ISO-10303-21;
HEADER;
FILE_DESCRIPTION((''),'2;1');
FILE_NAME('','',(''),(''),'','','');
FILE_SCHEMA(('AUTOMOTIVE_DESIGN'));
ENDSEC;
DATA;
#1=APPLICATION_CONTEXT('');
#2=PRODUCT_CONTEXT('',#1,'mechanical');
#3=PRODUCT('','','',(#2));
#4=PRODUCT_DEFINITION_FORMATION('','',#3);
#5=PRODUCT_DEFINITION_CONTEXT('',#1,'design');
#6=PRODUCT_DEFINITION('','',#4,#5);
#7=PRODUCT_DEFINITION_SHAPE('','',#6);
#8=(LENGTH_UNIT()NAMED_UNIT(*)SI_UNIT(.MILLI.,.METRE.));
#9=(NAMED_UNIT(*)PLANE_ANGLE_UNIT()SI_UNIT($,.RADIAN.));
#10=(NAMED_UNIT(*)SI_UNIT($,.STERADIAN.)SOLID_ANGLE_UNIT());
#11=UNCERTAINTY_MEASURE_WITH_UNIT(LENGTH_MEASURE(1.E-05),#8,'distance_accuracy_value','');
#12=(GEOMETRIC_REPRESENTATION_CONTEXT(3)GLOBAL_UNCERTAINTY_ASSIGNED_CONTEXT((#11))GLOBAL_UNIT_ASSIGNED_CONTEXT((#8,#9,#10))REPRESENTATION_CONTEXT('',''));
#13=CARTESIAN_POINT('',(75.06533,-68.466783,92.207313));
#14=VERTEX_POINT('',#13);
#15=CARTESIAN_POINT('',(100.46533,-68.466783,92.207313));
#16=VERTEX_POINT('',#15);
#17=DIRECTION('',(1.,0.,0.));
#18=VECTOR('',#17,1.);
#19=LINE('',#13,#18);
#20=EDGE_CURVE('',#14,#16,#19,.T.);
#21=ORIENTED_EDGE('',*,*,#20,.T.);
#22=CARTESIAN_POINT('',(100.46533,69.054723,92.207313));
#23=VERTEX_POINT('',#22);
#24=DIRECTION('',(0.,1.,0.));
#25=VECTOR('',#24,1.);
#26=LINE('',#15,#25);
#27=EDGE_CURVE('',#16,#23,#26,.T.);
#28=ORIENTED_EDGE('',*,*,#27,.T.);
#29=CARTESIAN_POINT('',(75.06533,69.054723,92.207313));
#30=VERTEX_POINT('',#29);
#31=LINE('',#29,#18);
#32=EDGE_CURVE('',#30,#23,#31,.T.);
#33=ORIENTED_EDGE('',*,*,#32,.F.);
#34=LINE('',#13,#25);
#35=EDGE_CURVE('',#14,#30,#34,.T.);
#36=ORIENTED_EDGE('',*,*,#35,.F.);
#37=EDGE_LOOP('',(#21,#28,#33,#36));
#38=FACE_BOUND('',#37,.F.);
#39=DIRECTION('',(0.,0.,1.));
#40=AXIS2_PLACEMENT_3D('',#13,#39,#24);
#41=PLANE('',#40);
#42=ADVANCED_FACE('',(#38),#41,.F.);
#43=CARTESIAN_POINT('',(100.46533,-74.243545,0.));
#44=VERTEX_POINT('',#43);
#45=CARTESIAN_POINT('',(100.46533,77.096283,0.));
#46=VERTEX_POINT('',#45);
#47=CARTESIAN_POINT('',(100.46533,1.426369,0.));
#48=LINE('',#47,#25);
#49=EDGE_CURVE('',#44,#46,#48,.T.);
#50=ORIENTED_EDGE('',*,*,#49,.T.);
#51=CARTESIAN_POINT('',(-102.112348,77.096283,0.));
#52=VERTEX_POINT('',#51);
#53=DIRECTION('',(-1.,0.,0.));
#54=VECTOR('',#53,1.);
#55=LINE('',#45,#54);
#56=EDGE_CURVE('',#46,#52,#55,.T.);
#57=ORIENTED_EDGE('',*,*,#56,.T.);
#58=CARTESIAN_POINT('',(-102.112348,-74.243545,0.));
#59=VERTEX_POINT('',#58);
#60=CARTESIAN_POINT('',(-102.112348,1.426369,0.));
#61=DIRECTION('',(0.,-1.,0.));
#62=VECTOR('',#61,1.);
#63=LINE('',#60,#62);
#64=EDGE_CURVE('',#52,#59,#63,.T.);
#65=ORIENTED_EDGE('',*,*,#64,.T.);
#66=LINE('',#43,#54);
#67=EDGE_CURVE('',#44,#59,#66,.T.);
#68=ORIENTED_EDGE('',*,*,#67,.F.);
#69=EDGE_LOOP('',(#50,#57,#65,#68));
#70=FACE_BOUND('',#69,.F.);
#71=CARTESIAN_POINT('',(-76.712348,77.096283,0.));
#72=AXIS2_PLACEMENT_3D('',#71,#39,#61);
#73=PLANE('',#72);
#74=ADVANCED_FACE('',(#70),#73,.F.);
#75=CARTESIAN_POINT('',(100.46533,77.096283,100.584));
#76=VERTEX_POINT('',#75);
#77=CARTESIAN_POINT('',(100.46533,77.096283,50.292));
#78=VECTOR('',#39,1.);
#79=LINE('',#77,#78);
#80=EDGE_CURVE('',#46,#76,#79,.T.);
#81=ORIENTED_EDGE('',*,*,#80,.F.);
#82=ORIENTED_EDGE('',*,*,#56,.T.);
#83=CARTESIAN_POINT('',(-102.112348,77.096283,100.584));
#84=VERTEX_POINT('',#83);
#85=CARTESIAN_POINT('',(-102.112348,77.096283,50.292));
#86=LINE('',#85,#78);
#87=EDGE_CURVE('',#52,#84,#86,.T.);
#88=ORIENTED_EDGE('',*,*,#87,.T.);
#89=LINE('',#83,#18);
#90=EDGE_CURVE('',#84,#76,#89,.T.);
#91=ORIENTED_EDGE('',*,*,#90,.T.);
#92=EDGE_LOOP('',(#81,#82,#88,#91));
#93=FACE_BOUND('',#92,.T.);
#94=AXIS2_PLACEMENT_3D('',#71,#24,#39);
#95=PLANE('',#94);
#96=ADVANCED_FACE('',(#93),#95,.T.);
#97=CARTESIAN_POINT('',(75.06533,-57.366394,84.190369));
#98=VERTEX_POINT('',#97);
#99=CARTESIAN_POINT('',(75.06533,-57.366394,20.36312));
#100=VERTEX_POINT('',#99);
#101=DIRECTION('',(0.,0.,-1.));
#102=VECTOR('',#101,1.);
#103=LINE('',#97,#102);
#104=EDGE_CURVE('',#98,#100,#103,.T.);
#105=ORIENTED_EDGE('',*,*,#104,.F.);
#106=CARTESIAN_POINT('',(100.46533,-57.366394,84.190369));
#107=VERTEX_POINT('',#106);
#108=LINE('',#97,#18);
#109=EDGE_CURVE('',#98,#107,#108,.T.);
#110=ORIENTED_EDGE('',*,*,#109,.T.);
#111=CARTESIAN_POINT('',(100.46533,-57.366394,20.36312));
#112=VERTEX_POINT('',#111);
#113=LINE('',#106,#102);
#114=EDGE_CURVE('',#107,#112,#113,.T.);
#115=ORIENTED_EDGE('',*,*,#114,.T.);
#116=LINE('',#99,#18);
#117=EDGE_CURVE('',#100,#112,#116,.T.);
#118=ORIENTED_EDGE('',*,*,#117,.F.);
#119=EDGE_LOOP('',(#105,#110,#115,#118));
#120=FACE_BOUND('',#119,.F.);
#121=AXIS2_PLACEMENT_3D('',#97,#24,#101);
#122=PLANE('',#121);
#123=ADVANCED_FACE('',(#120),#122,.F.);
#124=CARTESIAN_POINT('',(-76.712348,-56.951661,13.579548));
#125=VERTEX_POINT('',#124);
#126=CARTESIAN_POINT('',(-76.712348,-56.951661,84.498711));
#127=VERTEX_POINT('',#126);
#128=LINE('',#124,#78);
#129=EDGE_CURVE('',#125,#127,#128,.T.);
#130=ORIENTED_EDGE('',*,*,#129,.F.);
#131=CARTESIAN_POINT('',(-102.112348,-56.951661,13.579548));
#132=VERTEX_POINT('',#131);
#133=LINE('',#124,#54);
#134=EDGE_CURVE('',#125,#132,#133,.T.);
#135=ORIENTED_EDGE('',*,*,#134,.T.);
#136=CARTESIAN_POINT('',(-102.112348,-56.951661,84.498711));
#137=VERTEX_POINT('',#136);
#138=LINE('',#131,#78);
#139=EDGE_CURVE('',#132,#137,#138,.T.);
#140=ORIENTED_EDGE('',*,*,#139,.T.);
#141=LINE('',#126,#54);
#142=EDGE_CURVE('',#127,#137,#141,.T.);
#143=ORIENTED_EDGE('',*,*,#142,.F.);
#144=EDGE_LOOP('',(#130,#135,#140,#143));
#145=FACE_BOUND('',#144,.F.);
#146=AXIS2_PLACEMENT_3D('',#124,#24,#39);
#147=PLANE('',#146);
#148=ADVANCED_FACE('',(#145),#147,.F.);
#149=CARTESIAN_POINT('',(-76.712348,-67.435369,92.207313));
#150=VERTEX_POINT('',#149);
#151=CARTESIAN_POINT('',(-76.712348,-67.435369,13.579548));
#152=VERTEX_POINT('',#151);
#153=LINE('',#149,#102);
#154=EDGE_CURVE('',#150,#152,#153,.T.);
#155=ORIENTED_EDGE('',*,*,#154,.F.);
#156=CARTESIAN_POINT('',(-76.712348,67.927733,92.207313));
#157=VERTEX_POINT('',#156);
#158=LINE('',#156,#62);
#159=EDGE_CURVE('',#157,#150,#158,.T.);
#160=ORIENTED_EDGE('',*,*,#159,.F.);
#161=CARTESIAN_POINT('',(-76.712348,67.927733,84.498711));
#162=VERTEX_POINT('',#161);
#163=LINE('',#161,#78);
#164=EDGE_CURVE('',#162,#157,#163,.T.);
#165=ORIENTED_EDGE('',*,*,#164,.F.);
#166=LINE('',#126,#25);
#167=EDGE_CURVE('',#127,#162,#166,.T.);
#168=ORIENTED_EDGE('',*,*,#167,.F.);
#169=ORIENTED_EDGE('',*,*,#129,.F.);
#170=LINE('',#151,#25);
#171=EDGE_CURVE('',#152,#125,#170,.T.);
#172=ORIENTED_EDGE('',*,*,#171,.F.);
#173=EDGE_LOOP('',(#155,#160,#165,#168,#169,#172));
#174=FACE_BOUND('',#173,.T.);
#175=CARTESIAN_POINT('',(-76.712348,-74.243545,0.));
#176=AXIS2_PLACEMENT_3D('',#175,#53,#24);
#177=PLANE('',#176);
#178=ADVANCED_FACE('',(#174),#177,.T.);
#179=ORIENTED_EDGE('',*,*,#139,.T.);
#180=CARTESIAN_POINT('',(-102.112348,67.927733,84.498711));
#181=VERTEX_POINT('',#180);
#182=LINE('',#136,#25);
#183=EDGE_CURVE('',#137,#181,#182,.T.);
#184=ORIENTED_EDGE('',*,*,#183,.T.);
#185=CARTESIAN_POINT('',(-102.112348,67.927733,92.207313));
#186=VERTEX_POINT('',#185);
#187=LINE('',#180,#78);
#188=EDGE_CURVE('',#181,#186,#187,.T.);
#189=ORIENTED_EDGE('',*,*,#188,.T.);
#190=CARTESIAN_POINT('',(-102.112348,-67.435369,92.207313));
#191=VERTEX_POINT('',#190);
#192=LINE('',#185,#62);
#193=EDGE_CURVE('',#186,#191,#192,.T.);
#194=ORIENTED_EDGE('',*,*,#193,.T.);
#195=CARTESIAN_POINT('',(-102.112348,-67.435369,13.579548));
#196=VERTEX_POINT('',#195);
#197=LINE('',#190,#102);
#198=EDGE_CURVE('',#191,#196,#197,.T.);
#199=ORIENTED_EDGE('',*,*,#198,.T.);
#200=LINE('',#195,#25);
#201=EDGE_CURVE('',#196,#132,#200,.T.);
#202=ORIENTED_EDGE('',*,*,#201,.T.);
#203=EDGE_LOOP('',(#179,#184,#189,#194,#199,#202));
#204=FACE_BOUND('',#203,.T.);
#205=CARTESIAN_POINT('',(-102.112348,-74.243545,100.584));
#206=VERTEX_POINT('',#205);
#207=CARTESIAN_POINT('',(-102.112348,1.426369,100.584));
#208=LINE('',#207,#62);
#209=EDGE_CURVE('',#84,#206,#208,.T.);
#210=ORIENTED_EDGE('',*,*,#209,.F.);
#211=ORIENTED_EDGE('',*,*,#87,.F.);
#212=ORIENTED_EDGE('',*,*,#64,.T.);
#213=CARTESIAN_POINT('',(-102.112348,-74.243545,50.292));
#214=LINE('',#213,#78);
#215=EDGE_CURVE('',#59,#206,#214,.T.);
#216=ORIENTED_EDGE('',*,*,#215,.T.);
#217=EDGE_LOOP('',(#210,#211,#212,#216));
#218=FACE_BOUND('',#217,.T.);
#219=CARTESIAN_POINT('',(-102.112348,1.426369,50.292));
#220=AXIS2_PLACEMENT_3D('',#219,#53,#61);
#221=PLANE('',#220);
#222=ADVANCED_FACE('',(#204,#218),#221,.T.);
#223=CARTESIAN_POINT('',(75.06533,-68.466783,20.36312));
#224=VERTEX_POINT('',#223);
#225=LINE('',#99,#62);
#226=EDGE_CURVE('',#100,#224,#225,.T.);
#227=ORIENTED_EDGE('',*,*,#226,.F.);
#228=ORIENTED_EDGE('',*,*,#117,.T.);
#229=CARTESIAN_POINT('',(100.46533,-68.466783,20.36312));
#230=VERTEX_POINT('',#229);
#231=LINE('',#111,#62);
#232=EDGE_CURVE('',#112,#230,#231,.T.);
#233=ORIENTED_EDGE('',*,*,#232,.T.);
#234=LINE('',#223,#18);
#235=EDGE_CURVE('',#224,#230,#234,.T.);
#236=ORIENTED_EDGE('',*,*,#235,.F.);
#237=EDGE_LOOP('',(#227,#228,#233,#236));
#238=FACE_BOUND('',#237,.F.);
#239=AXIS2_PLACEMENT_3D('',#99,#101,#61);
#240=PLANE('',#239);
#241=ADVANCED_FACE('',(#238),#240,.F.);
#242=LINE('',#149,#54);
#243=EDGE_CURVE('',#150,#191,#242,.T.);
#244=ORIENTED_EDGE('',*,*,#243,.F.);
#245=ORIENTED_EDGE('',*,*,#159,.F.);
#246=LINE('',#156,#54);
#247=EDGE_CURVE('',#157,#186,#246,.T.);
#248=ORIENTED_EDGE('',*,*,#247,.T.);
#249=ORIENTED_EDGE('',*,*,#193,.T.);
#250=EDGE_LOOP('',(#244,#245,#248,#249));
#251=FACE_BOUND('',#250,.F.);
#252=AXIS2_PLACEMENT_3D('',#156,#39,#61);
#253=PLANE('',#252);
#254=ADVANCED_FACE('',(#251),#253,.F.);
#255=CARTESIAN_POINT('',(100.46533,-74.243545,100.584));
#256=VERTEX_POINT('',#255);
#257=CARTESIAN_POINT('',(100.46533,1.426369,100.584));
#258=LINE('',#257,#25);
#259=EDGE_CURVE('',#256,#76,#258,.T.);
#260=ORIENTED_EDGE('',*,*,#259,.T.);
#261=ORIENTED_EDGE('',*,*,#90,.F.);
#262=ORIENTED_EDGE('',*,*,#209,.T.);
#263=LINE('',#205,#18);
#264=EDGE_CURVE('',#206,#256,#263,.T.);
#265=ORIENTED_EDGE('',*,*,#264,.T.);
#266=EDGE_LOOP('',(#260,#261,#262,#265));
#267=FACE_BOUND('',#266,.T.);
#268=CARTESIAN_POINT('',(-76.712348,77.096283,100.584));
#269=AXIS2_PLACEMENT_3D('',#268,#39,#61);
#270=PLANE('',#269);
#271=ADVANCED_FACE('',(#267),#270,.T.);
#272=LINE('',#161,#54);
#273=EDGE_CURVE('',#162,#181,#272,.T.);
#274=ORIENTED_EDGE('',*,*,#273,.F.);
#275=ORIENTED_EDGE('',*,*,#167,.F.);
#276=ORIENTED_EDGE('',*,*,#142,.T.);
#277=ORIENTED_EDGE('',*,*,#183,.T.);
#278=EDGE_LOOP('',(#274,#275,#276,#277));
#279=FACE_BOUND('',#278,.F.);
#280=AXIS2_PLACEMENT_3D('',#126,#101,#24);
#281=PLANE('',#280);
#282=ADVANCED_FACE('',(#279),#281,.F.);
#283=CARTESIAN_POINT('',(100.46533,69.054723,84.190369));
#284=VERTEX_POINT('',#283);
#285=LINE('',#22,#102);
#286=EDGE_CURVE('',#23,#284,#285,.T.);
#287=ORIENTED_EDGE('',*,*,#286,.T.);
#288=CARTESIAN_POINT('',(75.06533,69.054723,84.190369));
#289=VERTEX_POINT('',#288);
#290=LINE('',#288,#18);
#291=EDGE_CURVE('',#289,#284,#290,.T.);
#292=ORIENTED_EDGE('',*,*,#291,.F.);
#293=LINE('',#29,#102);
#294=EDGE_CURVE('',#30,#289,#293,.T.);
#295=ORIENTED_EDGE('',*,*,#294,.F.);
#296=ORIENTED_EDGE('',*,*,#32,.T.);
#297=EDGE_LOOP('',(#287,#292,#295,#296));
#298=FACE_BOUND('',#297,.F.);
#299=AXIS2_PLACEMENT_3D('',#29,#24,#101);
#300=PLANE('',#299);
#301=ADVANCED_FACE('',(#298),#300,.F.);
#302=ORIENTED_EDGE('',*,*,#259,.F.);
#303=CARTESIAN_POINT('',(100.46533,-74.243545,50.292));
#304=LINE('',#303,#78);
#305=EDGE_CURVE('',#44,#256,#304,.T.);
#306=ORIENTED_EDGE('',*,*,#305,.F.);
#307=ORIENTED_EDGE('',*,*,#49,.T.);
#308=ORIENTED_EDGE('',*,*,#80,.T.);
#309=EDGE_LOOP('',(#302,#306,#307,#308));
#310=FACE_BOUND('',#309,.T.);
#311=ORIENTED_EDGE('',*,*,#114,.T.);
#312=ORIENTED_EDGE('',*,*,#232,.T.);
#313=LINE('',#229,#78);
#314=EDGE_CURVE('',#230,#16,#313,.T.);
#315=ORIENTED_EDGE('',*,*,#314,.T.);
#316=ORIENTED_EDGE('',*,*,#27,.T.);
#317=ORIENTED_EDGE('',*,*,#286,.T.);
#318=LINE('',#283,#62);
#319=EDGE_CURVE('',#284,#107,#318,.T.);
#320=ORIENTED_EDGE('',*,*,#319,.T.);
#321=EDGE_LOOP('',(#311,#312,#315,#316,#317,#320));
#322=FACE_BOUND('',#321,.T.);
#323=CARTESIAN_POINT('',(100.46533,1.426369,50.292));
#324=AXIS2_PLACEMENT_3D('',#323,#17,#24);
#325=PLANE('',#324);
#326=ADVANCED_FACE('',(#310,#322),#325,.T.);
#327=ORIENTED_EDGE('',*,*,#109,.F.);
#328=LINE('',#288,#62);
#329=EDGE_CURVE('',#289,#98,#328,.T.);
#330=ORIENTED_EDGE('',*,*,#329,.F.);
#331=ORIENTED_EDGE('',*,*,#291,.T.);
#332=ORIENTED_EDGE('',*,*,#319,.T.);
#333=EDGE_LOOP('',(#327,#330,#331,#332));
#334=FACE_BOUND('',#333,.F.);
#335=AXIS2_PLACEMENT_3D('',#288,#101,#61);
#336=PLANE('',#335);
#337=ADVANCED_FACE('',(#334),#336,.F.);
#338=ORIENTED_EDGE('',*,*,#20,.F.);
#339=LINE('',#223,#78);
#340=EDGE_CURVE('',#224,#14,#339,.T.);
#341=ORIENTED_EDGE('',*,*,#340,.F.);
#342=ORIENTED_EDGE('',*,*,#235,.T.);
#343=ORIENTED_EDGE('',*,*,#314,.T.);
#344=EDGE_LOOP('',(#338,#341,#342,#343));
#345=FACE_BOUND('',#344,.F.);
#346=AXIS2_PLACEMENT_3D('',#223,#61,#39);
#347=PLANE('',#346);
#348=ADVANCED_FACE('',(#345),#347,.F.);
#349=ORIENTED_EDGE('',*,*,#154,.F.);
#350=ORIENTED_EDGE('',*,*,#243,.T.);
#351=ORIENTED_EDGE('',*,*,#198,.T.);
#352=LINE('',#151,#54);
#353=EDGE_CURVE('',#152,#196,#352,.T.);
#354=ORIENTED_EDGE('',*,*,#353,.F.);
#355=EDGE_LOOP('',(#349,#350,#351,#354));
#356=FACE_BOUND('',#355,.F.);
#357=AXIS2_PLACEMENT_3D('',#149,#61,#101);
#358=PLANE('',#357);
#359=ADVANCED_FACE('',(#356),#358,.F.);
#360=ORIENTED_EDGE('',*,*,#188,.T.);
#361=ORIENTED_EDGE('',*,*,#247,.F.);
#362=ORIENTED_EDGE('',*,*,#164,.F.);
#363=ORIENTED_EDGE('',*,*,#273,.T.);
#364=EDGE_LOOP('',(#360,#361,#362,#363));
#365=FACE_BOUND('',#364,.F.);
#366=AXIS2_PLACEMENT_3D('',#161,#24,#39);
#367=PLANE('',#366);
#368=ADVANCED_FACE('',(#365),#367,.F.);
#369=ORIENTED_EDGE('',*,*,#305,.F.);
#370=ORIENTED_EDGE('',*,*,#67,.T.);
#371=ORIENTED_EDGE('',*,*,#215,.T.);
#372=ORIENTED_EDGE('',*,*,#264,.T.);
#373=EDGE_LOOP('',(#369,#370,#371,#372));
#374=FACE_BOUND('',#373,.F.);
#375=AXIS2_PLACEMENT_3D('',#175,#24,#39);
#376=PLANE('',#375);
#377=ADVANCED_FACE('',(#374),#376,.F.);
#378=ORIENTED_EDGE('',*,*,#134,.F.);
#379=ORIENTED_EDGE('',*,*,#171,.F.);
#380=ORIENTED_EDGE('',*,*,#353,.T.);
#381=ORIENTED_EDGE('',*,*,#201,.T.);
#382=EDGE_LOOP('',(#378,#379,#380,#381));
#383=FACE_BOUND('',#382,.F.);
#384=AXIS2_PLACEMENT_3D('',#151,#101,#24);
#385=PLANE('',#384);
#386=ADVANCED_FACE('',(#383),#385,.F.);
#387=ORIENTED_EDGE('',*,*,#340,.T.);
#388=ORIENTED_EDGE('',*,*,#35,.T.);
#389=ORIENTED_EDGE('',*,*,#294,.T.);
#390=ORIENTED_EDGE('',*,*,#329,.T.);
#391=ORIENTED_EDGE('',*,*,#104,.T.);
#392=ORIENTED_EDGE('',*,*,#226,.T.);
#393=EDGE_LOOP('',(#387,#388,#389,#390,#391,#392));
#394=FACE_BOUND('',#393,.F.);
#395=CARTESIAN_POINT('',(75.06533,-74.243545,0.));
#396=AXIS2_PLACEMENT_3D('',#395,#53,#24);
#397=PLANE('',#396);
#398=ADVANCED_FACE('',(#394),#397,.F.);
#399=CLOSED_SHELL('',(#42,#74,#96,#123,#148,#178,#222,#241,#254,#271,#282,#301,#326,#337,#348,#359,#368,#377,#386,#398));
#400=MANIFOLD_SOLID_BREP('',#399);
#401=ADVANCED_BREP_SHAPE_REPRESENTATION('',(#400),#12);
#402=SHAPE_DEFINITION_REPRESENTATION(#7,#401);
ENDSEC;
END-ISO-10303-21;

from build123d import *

# Parameters (mm, degrees)
F0_W     = 151.777678
F0_H     = 151.339829
F1_DEPTH = 100.584
F2_W     = 151.339829
F2_H     = 100.584
F3_DEPTH = 25.4
F4_W     = 151.339829
F4_H     = 100.584
F5_DEPTH = 25.4


with BuildPart() as f1:
    # F0 (on Top) → F1 (new body)
    with BuildSketch(Plane.XY):
        with Locations((-0.823509, 1.426369)):
            Rectangle(F0_W, F0_H)
    extrude(amount=F1_DEPTH)

    # F2 (on face) → F3 (join)
    with BuildSketch(Plane.YZ.offset(75.06533)):
        with Locations((1.426369, 50.292)):
            Rectangle(F2_W, F2_H)
        Polygon((-68.466783, 20.36312), (-68.466783, 84.190369), (-68.466783, 92.207313), (-57.366394, 92.207313), (69.054723, 92.207313), (69.054723, 84.190369), (-57.366394, 84.190369), (-57.366394, 20.36312), align=None, mode=Mode.SUBTRACT)
    extrude(amount=F3_DEPTH)

    # F4 (on face) → F5 (join)
    with BuildSketch(Plane(origin=(-76.712348, 0, 0), x_dir=(0, -1, 0), z_dir=(-1, 0, 0))):
        with Locations((-1.426369, 50.292)):
            Rectangle(F4_W, F4_H)
        Polygon((56.951661, 92.207313), (67.435369, 92.207313), (67.435369, 84.498711), (67.435369, 13.579548), (56.951661, 13.579548), (56.951661, 84.498711), (-67.927733, 84.498711), (-67.927733, 92.207313), align=None, mode=Mode.SUBTRACT)
    extrude(amount=F5_DEPTH)


solid = f1.part
